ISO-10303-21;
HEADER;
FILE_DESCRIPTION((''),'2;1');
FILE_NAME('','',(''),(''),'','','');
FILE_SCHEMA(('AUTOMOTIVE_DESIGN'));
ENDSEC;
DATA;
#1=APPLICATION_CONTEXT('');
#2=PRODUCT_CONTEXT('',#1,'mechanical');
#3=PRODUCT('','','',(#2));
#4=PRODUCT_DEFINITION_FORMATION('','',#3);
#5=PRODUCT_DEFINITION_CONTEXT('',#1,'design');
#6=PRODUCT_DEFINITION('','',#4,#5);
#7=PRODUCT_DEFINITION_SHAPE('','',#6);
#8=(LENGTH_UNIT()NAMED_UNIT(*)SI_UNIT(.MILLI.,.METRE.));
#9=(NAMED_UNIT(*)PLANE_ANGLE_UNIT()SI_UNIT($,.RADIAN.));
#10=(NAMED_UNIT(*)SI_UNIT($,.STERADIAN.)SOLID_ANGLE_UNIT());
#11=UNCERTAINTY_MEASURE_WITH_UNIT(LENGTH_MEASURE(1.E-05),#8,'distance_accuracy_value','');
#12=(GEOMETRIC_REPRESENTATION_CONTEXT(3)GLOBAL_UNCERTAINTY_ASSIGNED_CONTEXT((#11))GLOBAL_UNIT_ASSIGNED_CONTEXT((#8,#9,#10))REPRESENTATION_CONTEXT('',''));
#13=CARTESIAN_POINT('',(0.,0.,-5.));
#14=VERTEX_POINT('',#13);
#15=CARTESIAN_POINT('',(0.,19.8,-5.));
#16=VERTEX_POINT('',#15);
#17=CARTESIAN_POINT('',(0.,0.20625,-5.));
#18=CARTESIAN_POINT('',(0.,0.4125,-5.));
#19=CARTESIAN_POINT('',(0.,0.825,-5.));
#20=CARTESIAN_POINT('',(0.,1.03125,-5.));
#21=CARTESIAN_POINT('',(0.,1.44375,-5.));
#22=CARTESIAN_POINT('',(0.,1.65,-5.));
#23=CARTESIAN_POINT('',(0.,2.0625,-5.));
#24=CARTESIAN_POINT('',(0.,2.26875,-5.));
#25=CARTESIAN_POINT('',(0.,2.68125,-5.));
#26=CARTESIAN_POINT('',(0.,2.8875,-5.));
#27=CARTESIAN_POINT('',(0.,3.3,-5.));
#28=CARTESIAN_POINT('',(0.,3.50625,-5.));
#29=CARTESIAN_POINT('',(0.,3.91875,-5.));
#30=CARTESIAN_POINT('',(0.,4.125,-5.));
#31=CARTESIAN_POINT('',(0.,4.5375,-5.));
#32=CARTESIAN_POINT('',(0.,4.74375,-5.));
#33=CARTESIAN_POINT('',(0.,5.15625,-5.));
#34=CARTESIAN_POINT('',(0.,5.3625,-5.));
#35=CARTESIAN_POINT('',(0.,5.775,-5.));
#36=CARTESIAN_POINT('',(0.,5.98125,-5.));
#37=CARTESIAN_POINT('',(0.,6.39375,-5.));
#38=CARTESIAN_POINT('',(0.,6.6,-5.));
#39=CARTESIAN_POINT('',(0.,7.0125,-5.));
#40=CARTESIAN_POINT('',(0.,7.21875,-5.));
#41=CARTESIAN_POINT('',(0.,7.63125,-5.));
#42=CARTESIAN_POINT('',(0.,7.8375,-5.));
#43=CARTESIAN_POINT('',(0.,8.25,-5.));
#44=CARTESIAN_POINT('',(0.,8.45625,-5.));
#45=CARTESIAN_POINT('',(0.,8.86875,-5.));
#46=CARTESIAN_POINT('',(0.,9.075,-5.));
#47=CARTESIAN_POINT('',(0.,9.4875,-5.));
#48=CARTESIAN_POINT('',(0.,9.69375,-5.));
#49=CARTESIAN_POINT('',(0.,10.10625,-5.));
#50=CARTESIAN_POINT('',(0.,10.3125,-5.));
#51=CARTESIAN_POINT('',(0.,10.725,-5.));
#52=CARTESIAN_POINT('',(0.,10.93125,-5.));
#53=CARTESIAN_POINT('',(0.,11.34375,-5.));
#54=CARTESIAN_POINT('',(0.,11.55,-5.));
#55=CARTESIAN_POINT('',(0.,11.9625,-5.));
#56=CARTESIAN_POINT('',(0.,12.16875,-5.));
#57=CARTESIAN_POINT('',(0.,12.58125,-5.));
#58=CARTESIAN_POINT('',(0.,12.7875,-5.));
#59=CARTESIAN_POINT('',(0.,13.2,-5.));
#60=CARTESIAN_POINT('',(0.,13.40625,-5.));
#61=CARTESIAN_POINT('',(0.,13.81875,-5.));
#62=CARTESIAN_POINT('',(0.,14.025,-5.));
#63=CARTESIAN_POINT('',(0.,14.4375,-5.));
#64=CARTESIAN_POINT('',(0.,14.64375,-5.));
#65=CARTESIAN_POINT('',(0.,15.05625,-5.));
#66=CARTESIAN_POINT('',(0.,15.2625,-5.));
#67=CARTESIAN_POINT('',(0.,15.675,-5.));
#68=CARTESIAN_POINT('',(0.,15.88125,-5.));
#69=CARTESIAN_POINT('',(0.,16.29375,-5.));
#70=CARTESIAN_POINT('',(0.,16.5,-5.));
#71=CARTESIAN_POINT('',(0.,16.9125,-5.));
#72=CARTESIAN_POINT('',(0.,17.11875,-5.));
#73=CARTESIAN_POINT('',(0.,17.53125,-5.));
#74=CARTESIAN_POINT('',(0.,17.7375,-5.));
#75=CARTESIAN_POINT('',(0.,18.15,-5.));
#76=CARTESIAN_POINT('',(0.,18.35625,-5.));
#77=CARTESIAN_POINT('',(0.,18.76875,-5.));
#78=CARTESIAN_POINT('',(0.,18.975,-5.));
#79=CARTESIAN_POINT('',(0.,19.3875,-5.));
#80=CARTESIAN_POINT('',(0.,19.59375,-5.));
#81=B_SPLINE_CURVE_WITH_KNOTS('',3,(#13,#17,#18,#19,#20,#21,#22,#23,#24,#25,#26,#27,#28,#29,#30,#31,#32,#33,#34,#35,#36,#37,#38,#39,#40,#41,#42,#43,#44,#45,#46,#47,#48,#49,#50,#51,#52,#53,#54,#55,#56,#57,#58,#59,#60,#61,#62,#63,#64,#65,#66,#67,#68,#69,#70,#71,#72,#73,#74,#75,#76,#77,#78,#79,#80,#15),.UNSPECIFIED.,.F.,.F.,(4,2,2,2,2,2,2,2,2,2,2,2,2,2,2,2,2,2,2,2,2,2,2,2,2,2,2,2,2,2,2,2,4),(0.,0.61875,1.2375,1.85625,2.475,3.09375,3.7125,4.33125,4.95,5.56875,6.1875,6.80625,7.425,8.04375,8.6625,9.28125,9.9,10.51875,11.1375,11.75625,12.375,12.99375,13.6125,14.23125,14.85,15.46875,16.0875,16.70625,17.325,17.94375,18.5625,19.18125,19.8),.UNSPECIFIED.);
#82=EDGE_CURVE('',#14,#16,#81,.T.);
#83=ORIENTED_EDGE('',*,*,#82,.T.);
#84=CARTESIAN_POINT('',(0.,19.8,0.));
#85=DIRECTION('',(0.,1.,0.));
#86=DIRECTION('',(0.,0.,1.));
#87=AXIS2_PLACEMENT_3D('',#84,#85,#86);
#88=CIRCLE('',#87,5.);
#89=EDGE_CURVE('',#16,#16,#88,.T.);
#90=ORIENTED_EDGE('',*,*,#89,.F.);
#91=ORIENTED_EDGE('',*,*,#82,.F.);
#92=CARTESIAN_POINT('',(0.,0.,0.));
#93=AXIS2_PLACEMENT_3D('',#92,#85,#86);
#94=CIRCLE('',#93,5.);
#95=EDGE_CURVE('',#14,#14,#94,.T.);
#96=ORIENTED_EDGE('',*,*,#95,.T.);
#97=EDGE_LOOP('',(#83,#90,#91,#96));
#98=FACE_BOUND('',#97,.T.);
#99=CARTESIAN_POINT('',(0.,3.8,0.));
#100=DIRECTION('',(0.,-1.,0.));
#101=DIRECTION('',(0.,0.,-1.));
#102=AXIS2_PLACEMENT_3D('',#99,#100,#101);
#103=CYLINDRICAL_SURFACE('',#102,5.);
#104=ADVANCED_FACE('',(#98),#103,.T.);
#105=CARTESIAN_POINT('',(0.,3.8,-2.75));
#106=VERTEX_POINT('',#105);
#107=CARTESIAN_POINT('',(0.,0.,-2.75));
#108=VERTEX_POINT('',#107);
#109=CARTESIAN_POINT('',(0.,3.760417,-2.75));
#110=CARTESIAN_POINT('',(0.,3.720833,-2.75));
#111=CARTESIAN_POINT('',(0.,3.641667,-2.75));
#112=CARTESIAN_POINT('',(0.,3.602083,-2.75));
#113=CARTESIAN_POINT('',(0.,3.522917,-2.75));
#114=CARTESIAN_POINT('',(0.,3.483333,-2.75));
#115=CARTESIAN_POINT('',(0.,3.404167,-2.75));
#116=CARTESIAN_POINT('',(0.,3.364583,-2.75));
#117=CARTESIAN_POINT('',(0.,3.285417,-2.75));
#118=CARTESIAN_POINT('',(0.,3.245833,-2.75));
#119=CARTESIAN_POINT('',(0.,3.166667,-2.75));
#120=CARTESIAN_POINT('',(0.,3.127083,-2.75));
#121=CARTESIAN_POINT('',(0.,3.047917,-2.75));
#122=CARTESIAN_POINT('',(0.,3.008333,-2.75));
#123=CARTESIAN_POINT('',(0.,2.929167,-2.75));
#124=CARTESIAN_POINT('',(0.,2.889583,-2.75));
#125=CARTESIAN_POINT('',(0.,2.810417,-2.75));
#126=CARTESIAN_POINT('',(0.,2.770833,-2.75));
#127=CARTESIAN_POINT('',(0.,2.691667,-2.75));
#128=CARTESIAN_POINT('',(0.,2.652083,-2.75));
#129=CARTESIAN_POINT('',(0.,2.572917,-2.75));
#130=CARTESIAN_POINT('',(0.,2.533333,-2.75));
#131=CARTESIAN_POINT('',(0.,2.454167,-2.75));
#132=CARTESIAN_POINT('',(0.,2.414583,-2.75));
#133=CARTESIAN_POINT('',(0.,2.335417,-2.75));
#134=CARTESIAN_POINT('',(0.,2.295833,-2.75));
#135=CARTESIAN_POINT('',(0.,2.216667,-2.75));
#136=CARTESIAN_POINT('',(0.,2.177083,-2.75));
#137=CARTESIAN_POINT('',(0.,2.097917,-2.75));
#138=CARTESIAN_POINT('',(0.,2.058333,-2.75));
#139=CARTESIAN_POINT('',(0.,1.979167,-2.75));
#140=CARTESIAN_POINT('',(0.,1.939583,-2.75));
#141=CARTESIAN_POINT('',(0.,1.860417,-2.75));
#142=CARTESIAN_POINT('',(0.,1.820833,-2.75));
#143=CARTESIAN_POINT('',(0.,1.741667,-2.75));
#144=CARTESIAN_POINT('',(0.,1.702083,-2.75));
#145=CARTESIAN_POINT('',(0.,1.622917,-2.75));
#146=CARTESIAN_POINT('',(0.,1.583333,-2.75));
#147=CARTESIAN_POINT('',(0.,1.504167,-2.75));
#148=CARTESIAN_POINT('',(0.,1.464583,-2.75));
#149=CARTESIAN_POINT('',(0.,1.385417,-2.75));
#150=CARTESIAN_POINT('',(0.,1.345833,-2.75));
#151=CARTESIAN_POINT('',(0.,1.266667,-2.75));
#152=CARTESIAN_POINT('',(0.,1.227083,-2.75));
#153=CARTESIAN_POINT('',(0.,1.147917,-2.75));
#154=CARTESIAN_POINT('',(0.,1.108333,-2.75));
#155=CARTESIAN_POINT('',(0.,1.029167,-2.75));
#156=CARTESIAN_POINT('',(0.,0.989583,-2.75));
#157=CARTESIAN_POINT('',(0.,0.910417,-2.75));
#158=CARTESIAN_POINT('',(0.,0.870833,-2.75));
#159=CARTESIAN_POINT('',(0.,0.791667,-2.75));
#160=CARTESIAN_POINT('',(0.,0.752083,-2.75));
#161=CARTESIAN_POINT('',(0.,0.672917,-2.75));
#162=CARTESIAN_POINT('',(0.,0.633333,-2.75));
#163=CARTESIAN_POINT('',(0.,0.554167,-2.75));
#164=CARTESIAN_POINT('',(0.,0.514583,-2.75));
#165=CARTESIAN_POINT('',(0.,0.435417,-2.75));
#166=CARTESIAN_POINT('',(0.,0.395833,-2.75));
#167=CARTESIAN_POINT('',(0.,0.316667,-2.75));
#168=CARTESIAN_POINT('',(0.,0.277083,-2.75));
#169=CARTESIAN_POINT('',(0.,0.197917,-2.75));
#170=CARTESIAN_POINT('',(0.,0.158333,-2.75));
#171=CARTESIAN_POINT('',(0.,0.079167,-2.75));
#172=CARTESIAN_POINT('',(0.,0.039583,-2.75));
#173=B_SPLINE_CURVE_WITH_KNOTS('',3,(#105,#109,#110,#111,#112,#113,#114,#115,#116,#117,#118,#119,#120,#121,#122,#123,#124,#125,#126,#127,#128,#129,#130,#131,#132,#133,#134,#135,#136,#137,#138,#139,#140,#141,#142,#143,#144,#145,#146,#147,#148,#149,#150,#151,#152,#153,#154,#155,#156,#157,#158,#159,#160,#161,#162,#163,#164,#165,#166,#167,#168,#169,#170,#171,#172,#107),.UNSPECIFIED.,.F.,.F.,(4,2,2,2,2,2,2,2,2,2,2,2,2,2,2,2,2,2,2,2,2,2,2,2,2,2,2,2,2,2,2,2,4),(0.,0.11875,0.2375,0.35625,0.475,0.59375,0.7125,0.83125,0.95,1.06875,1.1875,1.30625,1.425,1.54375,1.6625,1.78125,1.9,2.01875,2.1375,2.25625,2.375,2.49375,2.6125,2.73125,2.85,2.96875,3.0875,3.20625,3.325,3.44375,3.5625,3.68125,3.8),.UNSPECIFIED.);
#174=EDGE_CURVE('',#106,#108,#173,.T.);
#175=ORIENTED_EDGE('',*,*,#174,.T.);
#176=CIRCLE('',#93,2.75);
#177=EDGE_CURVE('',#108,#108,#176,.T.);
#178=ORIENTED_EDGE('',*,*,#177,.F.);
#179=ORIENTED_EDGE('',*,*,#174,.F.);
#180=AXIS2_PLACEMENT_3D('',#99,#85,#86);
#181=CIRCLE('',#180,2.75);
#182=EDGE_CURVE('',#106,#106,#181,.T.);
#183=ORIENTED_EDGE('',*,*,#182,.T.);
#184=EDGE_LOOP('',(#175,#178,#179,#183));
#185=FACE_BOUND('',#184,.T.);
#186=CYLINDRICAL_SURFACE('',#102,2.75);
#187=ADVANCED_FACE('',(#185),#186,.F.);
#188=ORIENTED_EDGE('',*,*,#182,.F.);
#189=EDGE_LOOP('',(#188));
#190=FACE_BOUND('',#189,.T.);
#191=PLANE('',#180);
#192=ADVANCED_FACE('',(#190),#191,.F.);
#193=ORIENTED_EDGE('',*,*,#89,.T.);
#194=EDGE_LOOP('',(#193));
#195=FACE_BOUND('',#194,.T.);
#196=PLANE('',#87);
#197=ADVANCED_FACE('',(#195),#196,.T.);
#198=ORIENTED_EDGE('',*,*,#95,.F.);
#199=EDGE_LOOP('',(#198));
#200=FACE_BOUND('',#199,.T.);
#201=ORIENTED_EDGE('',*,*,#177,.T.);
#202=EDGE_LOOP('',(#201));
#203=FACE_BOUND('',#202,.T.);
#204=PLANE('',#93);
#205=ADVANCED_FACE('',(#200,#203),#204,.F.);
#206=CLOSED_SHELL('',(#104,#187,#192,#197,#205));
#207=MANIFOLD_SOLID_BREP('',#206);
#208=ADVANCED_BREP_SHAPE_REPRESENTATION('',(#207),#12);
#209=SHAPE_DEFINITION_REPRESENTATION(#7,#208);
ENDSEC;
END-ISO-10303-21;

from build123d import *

# Parameters (mm, degrees)
SKETCH2_R           = 5
SKETCH2_R_2         = 2.75
BOSS_EXTRUDE1_DEPTH = 3.8
SKETCH5_R           = 5
BOSS_EXTRUDE2_DEPTH = 16


with BuildPart() as part:
    # Sketch2 → Boss-Extrude1 (new body)
    with BuildSketch(Plane(origin=(0, 0, 0), x_dir=(1, 0, 0), z_dir=(0, 1, 0))):
        with Locations(Location((0, 0, 0), (0, 0, 90))):
            Circle(SKETCH2_R)
        with Locations(Location((0, 0, 0), (0, 0, 90))):
            Circle(SKETCH2_R_2, mode=Mode.SUBTRACT)
    extrude(amount=BOSS_EXTRUDE1_DEPTH)

    # Sketch5 → Boss-Extrude2 (add)
    with BuildSketch(Plane(origin=(0, 3.8, 0), x_dir=(1, 0, 0), z_dir=(0, 1, 0))):
        with Locations(Location((0, 0, 0), (0, 0, 90))):
            Circle(SKETCH5_R)
    extrude(amount=BOSS_EXTRUDE2_DEPTH)


solid = part.part
